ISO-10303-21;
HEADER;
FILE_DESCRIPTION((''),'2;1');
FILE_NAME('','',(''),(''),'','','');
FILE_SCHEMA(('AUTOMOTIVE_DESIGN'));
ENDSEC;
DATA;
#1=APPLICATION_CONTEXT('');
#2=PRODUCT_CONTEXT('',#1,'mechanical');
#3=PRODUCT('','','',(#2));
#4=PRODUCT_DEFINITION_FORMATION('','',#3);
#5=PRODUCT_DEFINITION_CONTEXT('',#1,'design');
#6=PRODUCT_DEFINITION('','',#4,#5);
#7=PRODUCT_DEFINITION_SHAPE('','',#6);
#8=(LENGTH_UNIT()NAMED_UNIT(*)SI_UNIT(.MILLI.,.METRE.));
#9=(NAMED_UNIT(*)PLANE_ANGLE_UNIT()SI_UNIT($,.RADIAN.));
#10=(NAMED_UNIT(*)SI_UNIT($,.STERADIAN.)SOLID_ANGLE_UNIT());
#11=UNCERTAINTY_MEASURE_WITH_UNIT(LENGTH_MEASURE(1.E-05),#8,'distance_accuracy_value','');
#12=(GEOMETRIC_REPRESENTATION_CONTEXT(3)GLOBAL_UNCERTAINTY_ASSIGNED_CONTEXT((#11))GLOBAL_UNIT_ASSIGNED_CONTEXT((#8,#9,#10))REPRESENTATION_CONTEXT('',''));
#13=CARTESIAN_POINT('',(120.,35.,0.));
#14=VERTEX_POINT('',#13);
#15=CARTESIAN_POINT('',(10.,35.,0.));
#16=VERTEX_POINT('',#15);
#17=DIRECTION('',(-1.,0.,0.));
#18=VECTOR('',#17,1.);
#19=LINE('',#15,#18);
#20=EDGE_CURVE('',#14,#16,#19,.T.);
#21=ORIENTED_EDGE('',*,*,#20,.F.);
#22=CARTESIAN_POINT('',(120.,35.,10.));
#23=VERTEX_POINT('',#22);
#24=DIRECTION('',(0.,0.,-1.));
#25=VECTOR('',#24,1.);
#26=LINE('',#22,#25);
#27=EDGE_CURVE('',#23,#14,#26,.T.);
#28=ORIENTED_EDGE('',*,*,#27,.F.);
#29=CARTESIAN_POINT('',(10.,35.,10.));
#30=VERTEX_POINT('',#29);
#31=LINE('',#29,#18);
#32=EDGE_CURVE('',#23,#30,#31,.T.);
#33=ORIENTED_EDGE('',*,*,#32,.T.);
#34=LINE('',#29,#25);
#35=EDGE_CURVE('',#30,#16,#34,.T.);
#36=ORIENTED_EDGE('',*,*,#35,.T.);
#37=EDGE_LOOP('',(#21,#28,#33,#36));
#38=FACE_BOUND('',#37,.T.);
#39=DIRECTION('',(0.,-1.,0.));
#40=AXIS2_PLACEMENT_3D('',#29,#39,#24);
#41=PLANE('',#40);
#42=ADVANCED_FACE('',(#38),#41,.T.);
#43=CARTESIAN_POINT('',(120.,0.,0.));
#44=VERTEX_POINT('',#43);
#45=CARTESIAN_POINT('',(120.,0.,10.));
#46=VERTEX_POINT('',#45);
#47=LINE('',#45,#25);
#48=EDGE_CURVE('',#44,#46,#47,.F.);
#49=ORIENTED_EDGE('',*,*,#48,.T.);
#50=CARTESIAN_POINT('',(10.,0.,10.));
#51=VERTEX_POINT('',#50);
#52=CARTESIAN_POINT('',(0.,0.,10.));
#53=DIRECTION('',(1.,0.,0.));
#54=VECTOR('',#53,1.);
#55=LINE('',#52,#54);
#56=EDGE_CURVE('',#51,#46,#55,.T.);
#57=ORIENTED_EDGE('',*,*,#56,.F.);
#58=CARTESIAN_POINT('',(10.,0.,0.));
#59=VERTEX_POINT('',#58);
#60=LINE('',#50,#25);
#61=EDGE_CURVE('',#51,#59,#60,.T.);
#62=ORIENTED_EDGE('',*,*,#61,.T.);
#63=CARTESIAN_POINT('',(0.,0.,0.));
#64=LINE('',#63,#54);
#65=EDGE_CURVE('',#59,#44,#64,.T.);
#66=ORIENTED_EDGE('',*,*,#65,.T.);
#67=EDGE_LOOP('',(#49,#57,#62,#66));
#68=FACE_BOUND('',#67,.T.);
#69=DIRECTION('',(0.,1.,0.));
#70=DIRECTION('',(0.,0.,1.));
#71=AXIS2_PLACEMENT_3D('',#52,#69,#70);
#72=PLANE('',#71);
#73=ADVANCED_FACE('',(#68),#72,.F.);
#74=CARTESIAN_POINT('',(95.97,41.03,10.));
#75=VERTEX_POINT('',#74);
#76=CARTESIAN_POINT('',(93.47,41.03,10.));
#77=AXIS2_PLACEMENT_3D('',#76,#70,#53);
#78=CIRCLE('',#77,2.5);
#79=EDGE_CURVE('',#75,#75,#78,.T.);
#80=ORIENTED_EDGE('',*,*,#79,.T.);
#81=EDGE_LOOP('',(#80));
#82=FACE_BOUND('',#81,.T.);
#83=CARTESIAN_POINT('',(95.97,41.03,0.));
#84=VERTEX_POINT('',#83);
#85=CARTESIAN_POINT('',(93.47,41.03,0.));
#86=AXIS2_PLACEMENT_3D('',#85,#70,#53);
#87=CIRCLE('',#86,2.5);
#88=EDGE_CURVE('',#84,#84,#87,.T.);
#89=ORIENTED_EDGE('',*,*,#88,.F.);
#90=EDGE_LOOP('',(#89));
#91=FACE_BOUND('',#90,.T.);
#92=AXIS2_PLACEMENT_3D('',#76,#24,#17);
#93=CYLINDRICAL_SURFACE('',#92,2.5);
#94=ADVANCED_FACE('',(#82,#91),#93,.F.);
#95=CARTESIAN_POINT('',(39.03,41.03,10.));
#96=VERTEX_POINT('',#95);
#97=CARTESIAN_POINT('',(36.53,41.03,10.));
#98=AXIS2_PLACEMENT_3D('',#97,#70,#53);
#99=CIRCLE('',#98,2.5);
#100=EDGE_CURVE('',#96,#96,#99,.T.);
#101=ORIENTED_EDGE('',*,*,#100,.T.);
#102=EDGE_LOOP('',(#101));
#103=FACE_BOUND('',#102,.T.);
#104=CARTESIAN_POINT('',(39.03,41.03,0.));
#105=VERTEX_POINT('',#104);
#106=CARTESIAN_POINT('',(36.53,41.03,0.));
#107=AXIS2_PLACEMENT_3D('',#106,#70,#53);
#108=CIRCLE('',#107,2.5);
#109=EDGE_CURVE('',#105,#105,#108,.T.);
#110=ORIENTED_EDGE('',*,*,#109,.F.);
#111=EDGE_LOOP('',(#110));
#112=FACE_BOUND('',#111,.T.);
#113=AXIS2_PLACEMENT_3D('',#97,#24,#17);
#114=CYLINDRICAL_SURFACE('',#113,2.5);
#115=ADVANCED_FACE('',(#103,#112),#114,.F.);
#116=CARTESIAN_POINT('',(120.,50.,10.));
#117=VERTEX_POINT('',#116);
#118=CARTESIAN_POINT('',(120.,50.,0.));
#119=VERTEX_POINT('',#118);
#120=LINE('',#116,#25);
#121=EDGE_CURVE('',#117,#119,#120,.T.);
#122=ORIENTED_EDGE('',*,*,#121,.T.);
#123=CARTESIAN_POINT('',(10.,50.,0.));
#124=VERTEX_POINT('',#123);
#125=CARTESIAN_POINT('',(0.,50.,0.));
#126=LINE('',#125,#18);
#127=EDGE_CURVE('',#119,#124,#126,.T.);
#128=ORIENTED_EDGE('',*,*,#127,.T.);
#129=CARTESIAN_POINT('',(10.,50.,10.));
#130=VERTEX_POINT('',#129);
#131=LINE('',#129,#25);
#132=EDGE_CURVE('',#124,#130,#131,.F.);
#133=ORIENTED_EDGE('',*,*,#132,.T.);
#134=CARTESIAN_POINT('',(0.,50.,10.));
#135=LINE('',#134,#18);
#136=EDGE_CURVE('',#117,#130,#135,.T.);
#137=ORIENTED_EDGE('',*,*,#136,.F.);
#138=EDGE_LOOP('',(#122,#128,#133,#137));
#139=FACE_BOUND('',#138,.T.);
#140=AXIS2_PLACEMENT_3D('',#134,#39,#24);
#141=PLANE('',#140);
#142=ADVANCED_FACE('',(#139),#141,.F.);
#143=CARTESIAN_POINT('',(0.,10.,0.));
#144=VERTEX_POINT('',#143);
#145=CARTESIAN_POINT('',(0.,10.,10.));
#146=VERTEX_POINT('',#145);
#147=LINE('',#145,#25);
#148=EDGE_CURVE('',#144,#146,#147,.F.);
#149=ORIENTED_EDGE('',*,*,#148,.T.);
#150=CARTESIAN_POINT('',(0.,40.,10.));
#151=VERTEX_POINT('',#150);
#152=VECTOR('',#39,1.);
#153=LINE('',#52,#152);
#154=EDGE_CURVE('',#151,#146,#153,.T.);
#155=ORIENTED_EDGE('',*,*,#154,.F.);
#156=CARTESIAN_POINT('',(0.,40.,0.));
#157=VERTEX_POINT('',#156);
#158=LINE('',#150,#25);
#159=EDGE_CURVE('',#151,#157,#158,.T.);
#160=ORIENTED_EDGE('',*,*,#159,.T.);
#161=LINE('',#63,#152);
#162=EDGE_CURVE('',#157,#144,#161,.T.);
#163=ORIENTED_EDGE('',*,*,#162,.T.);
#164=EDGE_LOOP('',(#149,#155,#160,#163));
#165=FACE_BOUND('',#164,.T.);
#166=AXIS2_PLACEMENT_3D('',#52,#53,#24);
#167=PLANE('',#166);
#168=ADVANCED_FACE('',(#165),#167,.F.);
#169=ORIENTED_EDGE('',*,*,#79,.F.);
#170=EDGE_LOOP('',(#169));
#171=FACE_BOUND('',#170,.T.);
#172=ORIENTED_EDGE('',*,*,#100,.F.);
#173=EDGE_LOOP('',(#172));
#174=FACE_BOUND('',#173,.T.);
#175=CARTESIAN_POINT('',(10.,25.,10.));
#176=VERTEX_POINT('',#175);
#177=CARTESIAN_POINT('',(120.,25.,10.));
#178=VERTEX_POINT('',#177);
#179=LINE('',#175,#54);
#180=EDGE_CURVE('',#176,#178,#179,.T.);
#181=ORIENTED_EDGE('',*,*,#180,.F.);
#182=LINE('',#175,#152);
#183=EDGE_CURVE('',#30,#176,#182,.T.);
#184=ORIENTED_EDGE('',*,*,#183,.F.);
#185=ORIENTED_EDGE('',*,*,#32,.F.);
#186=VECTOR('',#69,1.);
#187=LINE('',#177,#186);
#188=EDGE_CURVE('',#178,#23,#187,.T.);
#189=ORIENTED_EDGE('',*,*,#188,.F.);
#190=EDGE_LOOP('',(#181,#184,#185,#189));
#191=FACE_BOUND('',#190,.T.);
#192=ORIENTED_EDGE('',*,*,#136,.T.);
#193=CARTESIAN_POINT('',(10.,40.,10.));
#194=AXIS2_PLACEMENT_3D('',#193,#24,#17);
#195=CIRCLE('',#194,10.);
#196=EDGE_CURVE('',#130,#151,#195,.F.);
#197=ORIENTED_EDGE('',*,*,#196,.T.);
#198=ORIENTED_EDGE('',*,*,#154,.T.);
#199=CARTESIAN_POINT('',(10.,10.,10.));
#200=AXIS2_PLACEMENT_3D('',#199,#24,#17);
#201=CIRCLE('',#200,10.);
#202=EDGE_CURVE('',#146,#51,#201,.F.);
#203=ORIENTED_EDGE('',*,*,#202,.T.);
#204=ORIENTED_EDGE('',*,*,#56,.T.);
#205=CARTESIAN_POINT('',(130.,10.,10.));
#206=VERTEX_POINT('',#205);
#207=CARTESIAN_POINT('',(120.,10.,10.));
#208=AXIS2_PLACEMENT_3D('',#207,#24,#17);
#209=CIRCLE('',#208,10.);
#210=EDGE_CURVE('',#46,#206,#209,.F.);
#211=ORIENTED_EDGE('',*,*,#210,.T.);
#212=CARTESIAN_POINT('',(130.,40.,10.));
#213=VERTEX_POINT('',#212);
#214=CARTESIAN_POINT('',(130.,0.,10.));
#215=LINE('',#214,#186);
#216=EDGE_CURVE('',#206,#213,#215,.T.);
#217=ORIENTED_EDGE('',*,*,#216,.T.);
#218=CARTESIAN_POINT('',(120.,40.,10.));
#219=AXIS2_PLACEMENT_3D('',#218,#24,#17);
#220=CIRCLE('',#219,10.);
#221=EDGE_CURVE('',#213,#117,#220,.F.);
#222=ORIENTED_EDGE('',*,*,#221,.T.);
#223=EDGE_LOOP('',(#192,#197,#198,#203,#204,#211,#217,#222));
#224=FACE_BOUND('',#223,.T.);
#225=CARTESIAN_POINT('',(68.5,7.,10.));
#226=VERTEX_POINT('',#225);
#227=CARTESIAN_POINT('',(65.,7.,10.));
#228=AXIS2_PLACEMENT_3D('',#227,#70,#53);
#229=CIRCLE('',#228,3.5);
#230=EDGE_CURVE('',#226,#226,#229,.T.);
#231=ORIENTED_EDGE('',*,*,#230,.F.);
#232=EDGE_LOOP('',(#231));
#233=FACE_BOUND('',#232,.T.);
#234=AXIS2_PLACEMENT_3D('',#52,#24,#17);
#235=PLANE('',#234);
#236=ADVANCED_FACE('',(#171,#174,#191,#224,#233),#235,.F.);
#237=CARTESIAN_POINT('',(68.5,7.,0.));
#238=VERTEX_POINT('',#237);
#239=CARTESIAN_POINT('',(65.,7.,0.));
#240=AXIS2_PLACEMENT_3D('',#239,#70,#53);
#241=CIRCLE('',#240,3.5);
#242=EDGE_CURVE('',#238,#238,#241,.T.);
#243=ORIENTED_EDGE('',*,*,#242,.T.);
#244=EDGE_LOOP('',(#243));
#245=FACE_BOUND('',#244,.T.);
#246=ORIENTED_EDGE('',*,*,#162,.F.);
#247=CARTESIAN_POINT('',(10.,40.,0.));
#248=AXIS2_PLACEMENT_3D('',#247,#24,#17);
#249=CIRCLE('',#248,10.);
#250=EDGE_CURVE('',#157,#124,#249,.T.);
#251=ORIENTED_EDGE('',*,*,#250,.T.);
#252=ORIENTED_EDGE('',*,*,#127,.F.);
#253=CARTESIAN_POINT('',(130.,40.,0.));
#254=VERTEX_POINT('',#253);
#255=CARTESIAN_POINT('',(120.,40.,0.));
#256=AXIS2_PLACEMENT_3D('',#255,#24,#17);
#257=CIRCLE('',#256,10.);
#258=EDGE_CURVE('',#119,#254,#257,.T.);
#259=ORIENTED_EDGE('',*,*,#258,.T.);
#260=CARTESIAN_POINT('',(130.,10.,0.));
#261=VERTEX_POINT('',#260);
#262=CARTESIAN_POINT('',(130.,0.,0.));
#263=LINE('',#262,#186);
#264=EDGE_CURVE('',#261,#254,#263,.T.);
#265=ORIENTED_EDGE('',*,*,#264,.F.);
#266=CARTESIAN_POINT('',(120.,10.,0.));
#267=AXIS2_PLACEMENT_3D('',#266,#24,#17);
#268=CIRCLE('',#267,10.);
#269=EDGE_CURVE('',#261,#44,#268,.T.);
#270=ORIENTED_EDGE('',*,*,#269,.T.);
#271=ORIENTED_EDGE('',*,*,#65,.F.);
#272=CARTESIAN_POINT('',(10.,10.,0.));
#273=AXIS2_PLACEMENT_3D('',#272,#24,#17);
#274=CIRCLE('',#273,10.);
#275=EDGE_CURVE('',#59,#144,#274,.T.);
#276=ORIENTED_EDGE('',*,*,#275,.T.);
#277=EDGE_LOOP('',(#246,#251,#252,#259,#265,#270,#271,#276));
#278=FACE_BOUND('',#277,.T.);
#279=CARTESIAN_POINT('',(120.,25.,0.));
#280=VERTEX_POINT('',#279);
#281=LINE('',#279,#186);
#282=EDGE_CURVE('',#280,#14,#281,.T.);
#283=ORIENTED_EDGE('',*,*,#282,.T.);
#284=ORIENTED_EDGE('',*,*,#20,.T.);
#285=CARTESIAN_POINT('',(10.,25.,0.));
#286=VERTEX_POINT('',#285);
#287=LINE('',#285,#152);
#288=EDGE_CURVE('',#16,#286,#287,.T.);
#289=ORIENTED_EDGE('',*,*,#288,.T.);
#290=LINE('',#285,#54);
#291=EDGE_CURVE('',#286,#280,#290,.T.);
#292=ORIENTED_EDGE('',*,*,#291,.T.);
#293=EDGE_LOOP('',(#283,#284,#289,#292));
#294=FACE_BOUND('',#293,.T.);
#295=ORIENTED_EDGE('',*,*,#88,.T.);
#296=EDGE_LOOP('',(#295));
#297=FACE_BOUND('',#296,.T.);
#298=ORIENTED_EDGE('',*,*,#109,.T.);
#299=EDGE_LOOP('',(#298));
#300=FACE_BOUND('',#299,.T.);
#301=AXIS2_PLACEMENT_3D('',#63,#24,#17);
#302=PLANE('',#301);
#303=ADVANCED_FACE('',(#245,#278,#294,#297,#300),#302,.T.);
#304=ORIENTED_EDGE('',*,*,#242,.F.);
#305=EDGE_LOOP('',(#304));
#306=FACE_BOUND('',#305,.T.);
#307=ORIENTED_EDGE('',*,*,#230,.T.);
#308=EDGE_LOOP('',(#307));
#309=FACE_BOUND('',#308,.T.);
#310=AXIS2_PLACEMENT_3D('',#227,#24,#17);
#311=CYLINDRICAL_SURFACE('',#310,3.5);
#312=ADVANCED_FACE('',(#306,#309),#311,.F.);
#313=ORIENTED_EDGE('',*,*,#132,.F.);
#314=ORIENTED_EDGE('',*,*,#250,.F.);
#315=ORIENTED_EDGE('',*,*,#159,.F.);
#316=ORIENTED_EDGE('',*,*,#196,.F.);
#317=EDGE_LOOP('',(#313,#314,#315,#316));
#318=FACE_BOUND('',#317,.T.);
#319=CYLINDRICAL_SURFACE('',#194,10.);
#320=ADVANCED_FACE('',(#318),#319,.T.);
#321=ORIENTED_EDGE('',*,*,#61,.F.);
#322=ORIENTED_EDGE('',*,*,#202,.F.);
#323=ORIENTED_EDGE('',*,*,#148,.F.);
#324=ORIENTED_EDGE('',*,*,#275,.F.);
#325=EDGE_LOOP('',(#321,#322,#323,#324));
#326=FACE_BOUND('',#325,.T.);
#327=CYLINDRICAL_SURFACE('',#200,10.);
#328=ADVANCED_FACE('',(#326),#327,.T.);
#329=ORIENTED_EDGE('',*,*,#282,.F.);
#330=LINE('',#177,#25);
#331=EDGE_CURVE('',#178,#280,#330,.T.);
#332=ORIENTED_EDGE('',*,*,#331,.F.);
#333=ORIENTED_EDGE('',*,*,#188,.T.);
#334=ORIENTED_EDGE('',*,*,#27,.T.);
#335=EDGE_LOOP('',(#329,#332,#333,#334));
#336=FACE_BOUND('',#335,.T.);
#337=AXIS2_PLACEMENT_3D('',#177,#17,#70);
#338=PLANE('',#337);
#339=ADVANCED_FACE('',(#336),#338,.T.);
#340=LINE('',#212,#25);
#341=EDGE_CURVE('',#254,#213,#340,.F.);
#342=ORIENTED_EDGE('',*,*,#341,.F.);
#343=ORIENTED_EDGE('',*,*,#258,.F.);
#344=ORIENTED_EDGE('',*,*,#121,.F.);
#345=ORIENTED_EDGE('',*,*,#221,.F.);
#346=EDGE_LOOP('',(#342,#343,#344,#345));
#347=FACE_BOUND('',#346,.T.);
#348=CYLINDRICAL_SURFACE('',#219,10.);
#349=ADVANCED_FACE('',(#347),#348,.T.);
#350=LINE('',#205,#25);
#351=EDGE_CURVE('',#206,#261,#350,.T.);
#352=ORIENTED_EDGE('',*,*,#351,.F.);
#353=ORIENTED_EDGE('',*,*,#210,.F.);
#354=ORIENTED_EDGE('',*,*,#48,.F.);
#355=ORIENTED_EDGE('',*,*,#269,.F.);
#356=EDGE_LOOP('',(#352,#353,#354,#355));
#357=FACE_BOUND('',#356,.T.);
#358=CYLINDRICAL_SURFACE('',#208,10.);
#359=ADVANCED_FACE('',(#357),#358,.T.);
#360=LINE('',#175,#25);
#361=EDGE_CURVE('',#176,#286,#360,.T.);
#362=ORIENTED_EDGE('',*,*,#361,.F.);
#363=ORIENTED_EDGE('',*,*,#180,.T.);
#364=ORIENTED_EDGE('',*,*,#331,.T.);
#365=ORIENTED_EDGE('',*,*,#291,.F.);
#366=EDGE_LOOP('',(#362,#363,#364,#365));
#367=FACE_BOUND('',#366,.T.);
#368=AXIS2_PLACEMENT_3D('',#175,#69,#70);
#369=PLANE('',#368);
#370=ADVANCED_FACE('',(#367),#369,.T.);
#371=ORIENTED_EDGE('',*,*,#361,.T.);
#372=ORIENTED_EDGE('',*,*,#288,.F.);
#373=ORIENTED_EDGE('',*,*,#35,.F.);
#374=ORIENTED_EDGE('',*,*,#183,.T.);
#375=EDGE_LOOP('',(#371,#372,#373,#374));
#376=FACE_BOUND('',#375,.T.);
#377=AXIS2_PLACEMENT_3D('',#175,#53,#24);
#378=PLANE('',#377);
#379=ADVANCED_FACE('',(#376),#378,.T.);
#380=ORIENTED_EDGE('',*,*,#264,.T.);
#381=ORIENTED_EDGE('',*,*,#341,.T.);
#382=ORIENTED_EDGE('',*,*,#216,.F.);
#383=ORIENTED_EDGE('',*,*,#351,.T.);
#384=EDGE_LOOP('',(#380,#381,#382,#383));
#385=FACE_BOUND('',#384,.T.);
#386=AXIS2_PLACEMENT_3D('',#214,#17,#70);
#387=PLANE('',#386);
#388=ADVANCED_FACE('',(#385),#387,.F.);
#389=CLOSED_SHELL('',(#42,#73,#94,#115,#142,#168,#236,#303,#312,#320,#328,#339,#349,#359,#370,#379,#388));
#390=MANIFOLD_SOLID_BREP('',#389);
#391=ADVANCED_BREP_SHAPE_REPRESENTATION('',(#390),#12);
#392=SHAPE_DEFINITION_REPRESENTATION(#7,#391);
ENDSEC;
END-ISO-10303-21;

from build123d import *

# Parameters (mm, degrees)
SKETCH1_W           = 130
SKETCH1_H           = 50
SKETCH1_R           = 2.5
SKETCH1_R_2         = 3.5
SKETCH1_W_2         = 110
SKETCH1_H_2         = 10
BOSS_EXTRUDE2_DEPTH = 10
FILLET1_R           = 10


with BuildPart() as part:
    # Sketch1 → Boss-Extrude2 (new body)
    with BuildSketch(Plane.XY):
        with Locations((65, 25)):
            Rectangle(SKETCH1_W, SKETCH1_H)
        with Locations((36.53, 41.03)):
            Circle(SKETCH1_R, mode=Mode.SUBTRACT)
        with Locations((93.47, 41.03)):
            Circle(SKETCH1_R, mode=Mode.SUBTRACT)
        with Locations((65, 7)):
            Circle(SKETCH1_R_2, mode=Mode.SUBTRACT)
        with Locations((65, 30)):
            Rectangle(SKETCH1_W_2, SKETCH1_H_2, mode=Mode.SUBTRACT)
    extrude(amount=BOSS_EXTRUDE2_DEPTH)

    # Fillet1
    fillet1_edges = [part.edges().sort_by_distance(p)[0] for p in [
        (0, 50, 5),
        (130, 50, 5),
        (130, 0, 5),
        (0, 0, 5),
    ]]
    fillet(fillet1_edges, radius=FILLET1_R)


solid = part.part
